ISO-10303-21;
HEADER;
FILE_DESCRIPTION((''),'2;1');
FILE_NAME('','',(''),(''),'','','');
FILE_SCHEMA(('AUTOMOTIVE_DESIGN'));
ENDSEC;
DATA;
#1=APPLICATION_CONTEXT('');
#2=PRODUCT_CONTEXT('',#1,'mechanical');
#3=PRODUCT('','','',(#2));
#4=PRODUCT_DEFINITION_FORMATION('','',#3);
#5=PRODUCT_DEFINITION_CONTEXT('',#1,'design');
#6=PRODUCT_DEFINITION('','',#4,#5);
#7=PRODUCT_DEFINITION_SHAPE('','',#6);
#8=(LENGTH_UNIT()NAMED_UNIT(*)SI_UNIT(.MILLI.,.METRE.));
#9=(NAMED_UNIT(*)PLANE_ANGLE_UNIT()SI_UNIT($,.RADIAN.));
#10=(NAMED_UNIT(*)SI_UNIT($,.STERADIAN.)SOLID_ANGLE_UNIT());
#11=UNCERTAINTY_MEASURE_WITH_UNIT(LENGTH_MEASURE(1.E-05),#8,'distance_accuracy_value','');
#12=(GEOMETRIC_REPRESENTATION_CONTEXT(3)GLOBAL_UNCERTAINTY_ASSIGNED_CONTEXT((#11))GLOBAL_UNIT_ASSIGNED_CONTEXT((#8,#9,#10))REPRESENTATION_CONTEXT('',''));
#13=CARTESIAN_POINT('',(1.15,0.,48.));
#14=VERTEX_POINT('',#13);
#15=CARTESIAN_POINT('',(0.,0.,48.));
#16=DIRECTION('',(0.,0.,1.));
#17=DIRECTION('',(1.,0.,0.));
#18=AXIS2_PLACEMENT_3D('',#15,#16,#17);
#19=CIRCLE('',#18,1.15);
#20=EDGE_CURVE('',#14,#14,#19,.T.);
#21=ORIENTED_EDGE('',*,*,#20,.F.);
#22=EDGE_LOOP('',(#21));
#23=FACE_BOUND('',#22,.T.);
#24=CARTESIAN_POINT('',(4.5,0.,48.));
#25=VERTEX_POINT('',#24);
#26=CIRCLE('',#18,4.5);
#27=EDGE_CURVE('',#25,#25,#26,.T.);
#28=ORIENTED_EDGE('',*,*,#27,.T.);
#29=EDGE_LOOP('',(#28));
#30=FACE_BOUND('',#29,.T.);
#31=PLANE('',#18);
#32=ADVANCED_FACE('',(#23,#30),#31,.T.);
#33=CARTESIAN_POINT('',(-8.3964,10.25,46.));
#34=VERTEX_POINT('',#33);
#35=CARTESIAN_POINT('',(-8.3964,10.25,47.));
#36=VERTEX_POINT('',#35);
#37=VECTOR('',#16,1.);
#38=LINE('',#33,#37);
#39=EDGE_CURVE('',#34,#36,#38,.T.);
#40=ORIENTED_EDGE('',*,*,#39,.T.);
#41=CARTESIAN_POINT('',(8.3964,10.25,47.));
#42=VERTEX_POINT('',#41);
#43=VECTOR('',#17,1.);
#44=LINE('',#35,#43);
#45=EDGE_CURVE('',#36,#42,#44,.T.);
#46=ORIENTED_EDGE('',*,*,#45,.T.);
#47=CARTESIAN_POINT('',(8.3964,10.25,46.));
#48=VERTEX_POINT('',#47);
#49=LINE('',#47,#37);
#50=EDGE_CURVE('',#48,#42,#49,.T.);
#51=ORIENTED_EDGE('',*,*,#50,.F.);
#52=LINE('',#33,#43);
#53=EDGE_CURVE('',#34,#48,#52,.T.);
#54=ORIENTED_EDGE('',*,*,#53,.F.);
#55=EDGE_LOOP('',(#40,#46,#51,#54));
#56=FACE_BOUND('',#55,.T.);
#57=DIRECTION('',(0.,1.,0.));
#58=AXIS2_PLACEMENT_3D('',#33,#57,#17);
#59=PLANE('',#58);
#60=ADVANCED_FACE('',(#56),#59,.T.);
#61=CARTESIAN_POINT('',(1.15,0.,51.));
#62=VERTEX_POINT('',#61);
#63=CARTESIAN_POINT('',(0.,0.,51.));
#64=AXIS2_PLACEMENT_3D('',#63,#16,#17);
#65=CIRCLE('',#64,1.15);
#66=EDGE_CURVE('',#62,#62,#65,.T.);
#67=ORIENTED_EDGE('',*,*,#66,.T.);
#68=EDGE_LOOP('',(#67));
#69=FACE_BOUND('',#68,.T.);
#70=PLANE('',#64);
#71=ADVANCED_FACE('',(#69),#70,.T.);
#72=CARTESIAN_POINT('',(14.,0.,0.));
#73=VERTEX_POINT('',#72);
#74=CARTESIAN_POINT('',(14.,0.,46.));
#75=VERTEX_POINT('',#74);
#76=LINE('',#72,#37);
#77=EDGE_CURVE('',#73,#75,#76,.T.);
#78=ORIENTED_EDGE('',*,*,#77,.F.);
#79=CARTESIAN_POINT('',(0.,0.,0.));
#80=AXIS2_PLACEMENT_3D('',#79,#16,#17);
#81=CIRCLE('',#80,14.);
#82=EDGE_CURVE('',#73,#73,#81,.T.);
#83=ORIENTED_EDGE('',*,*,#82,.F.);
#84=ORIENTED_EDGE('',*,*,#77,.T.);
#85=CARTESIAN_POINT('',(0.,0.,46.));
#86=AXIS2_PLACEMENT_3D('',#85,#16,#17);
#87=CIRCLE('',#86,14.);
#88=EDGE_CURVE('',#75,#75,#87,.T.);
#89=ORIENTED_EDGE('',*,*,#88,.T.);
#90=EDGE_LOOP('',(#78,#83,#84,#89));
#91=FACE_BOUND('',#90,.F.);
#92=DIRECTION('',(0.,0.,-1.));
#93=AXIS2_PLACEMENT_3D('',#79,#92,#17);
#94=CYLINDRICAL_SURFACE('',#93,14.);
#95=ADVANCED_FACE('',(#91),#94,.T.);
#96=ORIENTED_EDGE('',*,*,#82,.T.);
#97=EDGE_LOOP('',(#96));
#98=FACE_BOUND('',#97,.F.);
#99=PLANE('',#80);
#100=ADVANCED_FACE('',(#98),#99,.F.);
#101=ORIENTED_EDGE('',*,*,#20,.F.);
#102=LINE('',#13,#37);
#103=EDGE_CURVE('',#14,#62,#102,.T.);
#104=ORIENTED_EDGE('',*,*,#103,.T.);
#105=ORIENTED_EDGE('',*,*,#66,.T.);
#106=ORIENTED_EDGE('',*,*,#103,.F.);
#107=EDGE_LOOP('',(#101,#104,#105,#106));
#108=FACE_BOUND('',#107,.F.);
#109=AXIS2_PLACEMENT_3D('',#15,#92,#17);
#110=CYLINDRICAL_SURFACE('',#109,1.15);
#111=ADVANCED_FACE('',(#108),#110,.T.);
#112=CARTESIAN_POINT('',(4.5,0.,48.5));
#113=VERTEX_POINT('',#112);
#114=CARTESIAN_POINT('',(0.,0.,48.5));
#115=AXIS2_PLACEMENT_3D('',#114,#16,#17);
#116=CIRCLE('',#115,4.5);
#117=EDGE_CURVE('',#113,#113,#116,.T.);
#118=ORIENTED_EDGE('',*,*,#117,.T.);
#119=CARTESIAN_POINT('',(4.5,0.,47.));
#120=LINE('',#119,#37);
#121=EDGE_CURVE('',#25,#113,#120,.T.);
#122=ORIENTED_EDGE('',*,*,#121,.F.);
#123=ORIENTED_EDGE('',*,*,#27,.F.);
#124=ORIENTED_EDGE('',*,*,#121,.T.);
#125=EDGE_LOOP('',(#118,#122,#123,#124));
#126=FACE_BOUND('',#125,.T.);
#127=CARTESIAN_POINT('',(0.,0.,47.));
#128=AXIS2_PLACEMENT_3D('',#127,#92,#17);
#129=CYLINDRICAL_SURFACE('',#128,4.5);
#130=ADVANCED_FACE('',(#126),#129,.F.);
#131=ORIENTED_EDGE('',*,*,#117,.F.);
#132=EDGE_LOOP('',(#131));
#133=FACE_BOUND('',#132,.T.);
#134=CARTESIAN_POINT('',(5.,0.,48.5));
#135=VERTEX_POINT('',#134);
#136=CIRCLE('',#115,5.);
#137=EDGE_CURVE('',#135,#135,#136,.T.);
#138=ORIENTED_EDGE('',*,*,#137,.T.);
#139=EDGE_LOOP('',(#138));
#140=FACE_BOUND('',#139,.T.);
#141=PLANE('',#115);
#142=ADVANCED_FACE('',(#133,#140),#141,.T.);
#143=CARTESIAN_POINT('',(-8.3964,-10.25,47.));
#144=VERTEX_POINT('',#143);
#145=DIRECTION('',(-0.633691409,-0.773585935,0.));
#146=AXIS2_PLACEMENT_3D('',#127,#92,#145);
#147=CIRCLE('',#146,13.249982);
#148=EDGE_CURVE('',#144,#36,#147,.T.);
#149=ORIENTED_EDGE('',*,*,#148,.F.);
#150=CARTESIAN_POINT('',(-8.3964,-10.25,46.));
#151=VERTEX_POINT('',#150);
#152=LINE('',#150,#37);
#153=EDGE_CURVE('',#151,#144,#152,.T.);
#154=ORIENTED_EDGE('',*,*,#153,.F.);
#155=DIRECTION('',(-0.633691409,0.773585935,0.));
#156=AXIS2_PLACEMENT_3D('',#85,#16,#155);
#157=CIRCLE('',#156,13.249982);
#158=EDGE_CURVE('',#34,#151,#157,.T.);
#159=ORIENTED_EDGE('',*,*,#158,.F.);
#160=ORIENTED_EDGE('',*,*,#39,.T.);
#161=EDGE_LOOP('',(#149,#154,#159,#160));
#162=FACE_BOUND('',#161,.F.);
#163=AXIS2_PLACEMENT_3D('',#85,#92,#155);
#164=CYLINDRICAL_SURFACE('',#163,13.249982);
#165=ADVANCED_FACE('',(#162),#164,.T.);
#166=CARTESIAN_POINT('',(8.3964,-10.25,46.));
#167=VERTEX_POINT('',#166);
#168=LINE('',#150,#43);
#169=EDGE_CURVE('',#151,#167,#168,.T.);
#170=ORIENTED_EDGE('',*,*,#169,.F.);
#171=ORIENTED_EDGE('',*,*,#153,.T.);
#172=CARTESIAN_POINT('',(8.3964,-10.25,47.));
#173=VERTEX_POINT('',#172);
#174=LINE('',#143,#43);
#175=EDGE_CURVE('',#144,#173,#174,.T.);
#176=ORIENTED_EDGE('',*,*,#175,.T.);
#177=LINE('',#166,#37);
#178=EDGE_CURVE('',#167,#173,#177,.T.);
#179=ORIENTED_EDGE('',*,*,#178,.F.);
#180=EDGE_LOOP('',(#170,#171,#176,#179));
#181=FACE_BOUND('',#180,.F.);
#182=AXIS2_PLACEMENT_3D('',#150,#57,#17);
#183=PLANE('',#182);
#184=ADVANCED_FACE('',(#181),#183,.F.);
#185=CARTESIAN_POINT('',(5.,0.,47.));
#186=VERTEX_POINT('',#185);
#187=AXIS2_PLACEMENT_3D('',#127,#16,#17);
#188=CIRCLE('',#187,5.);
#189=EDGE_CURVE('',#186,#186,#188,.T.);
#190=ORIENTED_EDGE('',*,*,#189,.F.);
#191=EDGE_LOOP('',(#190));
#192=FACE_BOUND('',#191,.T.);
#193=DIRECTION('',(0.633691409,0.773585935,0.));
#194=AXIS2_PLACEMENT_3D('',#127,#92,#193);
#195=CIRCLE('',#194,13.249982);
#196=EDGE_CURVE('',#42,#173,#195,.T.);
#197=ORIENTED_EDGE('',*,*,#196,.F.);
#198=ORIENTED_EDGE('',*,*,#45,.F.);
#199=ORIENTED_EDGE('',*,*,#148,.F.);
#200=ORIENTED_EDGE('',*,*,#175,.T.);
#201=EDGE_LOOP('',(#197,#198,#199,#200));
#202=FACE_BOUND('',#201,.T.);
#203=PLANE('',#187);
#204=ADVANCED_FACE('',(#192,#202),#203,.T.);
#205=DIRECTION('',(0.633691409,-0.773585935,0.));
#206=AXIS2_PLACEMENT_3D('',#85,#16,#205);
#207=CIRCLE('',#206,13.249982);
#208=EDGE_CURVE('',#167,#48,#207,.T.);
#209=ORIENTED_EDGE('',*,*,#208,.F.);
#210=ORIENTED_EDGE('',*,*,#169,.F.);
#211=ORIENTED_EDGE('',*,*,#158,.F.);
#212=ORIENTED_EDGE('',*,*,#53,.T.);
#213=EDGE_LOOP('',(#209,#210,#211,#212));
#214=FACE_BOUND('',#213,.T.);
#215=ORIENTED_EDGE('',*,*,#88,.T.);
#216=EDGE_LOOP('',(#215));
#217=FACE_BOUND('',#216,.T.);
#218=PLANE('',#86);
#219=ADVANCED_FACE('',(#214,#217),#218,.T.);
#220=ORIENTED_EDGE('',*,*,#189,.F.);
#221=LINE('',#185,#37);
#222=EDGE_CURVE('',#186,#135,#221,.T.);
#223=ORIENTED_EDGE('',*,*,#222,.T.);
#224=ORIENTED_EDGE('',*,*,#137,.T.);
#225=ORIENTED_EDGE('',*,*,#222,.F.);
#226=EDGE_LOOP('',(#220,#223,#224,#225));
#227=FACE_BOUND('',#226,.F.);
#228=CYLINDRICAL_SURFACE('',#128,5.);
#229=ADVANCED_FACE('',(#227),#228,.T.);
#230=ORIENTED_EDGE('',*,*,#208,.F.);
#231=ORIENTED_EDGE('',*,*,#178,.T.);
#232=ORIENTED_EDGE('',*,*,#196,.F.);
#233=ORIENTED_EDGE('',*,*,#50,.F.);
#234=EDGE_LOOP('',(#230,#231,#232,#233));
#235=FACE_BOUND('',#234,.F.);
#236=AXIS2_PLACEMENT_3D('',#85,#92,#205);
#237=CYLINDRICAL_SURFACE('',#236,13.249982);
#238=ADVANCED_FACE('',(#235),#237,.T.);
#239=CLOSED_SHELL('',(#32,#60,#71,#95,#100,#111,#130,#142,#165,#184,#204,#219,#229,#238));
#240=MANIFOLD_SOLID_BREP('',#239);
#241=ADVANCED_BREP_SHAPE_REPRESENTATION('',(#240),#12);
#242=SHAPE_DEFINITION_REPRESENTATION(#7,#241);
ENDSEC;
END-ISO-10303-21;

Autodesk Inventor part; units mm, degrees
ref_plane "YZ Plane" through (0, 0, 0) normal (1, 0, 0) x (0, 1, 0)
ref_plane "XZ Plane" through (0, 0, 0) normal (0, 1, 0) x (-1, 0, 0)
ref_plane "XY Plane" through (0, 0, 0) normal (0, 0, 1) x (1, 0, 0)
sketch "Sketch1" plane through (0, 0, 0) normal (0, 0, 1) x (1, 0, 0)
  circle A0 centre (0, 0) radius 14
  dimension "d0" = 28
extrude "Extrusion1" add sketch "Sketch1" along normal blind 46
sketch "Sketch2" plane through (0, 0, 46) normal (0, 0, 1) x (1, 0, 0)
  line L0 (-8.3964, 10.25) -> (8.3964, 10.25)
  line L1 (-8.3964, -10.25) -> (8.3964, -10.25)
  line L2 (-19.6, 0) -> (19.6, 0) projected
  arc A0 (8.3964, -10.25) -> (8.3964, 10.25) centre (0, 0) ccw
  arc A1 (-8.3964, 10.25) -> (-8.3964, -10.25) centre (0, 0) ccw
  dimension "d4" = 10.25
  dimension "d5" = 10.25
extrude "Extrusion2" add sketch "Sketch2" along normal blind 1
sketch "Sketch3" plane through (0, 0, 47) normal (0, 0, 1) x (1, 0, 0)
  circle A0 centre (0, 0) radius 5
  circle A1 centre (0, 0) radius 4.5
  dimension "d8" = 10
  dimension "d9" = 9
extrude "Extrusion3" add sketch "Sketch3" along normal blind 1.5
sketch "Sketch4" plane through (0, 0, 47) normal (0, 0, 1) x (1, 0, 0)
  circle A0 centre (0, 0) radius 4.5
  dimension "d12" = 9
extrude "Extrusion4" add sketch "Sketch4" along normal blind 1
sketch "Sketch5" plane through (0, 0, 48) normal (0, 0, 1) x (1, 0, 0)
  circle A0 centre (0, 0) radius 1.15
  dimension "d15" = 2.3
extrude "Extrusion5" add sketch "Sketch5" along normal blind 3
properties part number "E600T_RC390_motor_front"
